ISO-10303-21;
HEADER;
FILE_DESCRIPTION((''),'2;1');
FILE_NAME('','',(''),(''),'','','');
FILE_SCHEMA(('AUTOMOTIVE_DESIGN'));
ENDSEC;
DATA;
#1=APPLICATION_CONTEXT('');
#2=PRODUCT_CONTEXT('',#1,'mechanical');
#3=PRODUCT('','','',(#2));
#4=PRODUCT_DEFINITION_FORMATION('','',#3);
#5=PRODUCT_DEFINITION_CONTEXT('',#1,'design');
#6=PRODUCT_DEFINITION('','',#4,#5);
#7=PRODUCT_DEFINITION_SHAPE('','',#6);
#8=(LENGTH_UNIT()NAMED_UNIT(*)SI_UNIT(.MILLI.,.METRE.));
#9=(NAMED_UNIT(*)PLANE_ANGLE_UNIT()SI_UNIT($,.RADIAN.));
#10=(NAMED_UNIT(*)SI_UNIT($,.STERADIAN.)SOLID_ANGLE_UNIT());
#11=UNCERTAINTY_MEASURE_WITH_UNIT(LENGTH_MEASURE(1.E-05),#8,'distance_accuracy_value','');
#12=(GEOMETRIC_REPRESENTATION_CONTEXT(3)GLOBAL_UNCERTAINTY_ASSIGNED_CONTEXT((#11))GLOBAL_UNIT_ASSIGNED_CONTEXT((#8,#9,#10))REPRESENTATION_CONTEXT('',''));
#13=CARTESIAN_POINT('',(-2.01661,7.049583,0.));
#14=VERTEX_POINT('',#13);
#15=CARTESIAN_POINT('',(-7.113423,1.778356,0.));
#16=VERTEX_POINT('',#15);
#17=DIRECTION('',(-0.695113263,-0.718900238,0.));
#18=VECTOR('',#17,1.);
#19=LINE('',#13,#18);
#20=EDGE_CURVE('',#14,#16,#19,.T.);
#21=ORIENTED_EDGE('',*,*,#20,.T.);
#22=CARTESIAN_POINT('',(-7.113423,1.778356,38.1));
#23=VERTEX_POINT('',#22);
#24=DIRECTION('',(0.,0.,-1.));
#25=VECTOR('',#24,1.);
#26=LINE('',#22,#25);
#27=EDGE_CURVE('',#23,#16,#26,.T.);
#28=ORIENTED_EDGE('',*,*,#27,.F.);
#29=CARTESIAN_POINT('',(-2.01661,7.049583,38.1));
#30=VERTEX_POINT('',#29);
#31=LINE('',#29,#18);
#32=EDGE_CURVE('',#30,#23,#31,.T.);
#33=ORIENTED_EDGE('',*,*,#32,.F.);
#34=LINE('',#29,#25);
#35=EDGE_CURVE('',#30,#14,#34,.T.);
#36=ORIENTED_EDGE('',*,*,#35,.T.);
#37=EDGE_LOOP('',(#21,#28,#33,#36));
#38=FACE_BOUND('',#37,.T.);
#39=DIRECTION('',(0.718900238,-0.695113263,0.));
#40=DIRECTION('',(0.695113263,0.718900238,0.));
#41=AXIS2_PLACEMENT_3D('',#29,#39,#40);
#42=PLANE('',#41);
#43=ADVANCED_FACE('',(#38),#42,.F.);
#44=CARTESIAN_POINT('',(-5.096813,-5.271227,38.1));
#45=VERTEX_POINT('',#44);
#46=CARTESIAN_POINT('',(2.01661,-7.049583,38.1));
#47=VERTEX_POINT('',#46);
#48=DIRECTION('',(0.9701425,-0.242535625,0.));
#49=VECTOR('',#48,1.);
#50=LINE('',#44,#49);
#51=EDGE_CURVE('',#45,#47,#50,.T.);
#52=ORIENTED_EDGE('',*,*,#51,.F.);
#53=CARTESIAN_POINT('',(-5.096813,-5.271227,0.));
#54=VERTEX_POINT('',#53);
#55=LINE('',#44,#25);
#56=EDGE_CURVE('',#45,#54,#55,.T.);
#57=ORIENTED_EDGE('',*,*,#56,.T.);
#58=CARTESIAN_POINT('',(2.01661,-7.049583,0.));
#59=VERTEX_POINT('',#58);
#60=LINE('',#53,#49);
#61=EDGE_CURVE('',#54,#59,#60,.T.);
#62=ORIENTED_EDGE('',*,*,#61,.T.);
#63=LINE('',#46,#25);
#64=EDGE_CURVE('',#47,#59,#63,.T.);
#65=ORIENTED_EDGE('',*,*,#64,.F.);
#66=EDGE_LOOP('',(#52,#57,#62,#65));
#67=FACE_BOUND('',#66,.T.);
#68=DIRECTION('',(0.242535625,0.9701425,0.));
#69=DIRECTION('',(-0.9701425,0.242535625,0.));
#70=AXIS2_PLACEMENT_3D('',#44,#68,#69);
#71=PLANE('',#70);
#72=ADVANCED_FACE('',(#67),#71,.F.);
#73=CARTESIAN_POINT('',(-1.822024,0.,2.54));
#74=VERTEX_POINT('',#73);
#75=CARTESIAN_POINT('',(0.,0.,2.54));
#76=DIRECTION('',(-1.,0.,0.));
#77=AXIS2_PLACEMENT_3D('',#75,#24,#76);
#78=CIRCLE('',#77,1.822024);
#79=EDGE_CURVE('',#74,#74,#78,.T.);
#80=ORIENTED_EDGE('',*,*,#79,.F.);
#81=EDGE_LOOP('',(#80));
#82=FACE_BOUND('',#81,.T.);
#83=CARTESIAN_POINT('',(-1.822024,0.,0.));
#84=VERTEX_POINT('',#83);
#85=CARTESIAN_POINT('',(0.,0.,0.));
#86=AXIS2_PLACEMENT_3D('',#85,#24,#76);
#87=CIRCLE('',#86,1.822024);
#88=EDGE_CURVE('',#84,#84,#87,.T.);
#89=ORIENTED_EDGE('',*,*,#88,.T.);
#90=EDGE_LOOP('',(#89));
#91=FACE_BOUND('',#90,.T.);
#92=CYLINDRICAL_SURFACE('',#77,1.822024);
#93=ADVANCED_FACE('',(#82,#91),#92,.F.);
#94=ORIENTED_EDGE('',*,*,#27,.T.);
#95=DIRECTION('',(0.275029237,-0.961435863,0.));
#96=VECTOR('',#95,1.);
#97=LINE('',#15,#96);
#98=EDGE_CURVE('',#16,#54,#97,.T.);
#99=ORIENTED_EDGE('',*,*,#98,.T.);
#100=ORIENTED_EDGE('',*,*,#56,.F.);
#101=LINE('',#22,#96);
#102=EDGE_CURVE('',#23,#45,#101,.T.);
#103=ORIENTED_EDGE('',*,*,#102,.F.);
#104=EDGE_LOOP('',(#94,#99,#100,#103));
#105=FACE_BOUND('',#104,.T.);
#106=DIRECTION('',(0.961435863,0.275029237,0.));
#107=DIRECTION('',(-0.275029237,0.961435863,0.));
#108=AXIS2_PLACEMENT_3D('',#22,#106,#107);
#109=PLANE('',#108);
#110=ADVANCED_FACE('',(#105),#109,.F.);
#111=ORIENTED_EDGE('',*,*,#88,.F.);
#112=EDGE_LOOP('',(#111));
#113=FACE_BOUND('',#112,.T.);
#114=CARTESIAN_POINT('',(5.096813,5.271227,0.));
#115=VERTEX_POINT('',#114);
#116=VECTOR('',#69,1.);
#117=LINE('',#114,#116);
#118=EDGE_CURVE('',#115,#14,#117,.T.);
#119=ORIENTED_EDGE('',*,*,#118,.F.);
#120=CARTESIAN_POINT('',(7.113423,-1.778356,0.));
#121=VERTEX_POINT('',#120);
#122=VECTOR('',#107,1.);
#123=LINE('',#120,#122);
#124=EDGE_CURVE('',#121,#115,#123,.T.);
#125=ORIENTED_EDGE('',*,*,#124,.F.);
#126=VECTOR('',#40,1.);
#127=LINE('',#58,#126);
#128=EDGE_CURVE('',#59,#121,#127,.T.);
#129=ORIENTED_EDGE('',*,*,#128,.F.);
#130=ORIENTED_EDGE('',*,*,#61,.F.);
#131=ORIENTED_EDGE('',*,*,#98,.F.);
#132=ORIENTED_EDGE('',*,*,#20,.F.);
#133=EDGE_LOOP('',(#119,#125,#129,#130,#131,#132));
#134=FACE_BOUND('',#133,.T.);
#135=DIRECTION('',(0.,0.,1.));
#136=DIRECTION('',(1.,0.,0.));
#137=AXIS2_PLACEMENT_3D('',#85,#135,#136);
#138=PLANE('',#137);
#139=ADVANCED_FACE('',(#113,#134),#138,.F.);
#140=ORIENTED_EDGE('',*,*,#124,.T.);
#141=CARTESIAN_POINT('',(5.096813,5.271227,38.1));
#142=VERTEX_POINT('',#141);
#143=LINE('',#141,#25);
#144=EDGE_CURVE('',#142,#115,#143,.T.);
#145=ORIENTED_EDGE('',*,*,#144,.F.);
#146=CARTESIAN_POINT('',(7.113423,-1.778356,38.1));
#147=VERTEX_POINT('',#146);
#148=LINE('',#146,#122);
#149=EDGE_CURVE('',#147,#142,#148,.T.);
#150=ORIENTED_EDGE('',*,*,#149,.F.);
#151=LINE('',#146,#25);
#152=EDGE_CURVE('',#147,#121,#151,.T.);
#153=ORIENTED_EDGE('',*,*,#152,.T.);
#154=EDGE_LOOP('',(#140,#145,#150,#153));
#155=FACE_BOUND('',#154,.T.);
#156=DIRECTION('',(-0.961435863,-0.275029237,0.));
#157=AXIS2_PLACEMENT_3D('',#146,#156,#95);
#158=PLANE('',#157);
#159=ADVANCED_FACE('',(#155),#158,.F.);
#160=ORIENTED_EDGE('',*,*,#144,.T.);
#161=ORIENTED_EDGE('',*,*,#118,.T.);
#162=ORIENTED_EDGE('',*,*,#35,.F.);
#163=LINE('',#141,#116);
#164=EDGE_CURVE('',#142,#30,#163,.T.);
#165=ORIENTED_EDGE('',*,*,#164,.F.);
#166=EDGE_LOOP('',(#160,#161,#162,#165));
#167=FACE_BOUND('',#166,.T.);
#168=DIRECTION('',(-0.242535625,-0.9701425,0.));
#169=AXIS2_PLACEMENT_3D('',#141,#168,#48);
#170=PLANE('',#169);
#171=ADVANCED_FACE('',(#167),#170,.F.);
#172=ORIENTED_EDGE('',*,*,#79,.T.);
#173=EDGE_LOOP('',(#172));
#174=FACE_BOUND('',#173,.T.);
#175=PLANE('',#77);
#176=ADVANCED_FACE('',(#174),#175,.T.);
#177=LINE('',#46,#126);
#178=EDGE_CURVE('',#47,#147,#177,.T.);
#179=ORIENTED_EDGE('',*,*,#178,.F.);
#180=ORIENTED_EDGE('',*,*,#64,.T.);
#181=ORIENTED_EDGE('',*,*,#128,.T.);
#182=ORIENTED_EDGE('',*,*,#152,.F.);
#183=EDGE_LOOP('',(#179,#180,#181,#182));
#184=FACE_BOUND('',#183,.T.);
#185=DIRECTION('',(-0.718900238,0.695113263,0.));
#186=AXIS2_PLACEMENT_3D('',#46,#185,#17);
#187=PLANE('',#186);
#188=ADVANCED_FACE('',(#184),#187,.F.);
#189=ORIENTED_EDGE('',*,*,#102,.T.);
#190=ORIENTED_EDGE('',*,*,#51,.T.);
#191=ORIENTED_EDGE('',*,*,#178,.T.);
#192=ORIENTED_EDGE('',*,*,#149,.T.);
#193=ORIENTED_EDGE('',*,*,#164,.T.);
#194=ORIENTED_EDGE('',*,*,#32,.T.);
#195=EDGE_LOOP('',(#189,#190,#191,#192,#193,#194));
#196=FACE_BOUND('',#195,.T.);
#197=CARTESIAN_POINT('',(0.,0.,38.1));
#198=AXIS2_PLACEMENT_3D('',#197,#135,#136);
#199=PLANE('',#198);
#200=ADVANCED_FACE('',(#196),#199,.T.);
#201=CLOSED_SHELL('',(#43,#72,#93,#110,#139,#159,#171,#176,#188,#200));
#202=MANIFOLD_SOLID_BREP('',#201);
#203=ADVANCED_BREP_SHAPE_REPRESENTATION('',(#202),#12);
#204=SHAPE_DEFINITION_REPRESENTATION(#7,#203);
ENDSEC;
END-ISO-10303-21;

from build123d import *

# Parameters (mm, degrees)
BOSS_EXTRUDE1_DEPTH = 38.1
SKETCH2_R           = 1.822024131
CUT_EXTRUDE1_DEPTH  = 2.54


with BuildPart() as part:
    # Sketch1 → Boss-Extrude1 (new body)
    with BuildSketch(Plane.XY):
        Polygon((-7.113422827, 1.778355707), (-5.096812632, -5.271227023), (2.016610194, -7.049582729), (7.113422827, -1.778355707), (5.096812632, 5.271227023), (-2.016610194, 7.049582729), align=None)
    extrude(amount=BOSS_EXTRUDE1_DEPTH)

    # Sketch2 → Cut-Extrude1 (cut)
    with BuildSketch(Plane(origin=(0, 0, 0), x_dir=(-1, 0, 0), z_dir=(0, 0, -1))):
        Circle(SKETCH2_R)
    extrude(amount=-CUT_EXTRUDE1_DEPTH, mode=Mode.SUBTRACT)


solid = part.part
